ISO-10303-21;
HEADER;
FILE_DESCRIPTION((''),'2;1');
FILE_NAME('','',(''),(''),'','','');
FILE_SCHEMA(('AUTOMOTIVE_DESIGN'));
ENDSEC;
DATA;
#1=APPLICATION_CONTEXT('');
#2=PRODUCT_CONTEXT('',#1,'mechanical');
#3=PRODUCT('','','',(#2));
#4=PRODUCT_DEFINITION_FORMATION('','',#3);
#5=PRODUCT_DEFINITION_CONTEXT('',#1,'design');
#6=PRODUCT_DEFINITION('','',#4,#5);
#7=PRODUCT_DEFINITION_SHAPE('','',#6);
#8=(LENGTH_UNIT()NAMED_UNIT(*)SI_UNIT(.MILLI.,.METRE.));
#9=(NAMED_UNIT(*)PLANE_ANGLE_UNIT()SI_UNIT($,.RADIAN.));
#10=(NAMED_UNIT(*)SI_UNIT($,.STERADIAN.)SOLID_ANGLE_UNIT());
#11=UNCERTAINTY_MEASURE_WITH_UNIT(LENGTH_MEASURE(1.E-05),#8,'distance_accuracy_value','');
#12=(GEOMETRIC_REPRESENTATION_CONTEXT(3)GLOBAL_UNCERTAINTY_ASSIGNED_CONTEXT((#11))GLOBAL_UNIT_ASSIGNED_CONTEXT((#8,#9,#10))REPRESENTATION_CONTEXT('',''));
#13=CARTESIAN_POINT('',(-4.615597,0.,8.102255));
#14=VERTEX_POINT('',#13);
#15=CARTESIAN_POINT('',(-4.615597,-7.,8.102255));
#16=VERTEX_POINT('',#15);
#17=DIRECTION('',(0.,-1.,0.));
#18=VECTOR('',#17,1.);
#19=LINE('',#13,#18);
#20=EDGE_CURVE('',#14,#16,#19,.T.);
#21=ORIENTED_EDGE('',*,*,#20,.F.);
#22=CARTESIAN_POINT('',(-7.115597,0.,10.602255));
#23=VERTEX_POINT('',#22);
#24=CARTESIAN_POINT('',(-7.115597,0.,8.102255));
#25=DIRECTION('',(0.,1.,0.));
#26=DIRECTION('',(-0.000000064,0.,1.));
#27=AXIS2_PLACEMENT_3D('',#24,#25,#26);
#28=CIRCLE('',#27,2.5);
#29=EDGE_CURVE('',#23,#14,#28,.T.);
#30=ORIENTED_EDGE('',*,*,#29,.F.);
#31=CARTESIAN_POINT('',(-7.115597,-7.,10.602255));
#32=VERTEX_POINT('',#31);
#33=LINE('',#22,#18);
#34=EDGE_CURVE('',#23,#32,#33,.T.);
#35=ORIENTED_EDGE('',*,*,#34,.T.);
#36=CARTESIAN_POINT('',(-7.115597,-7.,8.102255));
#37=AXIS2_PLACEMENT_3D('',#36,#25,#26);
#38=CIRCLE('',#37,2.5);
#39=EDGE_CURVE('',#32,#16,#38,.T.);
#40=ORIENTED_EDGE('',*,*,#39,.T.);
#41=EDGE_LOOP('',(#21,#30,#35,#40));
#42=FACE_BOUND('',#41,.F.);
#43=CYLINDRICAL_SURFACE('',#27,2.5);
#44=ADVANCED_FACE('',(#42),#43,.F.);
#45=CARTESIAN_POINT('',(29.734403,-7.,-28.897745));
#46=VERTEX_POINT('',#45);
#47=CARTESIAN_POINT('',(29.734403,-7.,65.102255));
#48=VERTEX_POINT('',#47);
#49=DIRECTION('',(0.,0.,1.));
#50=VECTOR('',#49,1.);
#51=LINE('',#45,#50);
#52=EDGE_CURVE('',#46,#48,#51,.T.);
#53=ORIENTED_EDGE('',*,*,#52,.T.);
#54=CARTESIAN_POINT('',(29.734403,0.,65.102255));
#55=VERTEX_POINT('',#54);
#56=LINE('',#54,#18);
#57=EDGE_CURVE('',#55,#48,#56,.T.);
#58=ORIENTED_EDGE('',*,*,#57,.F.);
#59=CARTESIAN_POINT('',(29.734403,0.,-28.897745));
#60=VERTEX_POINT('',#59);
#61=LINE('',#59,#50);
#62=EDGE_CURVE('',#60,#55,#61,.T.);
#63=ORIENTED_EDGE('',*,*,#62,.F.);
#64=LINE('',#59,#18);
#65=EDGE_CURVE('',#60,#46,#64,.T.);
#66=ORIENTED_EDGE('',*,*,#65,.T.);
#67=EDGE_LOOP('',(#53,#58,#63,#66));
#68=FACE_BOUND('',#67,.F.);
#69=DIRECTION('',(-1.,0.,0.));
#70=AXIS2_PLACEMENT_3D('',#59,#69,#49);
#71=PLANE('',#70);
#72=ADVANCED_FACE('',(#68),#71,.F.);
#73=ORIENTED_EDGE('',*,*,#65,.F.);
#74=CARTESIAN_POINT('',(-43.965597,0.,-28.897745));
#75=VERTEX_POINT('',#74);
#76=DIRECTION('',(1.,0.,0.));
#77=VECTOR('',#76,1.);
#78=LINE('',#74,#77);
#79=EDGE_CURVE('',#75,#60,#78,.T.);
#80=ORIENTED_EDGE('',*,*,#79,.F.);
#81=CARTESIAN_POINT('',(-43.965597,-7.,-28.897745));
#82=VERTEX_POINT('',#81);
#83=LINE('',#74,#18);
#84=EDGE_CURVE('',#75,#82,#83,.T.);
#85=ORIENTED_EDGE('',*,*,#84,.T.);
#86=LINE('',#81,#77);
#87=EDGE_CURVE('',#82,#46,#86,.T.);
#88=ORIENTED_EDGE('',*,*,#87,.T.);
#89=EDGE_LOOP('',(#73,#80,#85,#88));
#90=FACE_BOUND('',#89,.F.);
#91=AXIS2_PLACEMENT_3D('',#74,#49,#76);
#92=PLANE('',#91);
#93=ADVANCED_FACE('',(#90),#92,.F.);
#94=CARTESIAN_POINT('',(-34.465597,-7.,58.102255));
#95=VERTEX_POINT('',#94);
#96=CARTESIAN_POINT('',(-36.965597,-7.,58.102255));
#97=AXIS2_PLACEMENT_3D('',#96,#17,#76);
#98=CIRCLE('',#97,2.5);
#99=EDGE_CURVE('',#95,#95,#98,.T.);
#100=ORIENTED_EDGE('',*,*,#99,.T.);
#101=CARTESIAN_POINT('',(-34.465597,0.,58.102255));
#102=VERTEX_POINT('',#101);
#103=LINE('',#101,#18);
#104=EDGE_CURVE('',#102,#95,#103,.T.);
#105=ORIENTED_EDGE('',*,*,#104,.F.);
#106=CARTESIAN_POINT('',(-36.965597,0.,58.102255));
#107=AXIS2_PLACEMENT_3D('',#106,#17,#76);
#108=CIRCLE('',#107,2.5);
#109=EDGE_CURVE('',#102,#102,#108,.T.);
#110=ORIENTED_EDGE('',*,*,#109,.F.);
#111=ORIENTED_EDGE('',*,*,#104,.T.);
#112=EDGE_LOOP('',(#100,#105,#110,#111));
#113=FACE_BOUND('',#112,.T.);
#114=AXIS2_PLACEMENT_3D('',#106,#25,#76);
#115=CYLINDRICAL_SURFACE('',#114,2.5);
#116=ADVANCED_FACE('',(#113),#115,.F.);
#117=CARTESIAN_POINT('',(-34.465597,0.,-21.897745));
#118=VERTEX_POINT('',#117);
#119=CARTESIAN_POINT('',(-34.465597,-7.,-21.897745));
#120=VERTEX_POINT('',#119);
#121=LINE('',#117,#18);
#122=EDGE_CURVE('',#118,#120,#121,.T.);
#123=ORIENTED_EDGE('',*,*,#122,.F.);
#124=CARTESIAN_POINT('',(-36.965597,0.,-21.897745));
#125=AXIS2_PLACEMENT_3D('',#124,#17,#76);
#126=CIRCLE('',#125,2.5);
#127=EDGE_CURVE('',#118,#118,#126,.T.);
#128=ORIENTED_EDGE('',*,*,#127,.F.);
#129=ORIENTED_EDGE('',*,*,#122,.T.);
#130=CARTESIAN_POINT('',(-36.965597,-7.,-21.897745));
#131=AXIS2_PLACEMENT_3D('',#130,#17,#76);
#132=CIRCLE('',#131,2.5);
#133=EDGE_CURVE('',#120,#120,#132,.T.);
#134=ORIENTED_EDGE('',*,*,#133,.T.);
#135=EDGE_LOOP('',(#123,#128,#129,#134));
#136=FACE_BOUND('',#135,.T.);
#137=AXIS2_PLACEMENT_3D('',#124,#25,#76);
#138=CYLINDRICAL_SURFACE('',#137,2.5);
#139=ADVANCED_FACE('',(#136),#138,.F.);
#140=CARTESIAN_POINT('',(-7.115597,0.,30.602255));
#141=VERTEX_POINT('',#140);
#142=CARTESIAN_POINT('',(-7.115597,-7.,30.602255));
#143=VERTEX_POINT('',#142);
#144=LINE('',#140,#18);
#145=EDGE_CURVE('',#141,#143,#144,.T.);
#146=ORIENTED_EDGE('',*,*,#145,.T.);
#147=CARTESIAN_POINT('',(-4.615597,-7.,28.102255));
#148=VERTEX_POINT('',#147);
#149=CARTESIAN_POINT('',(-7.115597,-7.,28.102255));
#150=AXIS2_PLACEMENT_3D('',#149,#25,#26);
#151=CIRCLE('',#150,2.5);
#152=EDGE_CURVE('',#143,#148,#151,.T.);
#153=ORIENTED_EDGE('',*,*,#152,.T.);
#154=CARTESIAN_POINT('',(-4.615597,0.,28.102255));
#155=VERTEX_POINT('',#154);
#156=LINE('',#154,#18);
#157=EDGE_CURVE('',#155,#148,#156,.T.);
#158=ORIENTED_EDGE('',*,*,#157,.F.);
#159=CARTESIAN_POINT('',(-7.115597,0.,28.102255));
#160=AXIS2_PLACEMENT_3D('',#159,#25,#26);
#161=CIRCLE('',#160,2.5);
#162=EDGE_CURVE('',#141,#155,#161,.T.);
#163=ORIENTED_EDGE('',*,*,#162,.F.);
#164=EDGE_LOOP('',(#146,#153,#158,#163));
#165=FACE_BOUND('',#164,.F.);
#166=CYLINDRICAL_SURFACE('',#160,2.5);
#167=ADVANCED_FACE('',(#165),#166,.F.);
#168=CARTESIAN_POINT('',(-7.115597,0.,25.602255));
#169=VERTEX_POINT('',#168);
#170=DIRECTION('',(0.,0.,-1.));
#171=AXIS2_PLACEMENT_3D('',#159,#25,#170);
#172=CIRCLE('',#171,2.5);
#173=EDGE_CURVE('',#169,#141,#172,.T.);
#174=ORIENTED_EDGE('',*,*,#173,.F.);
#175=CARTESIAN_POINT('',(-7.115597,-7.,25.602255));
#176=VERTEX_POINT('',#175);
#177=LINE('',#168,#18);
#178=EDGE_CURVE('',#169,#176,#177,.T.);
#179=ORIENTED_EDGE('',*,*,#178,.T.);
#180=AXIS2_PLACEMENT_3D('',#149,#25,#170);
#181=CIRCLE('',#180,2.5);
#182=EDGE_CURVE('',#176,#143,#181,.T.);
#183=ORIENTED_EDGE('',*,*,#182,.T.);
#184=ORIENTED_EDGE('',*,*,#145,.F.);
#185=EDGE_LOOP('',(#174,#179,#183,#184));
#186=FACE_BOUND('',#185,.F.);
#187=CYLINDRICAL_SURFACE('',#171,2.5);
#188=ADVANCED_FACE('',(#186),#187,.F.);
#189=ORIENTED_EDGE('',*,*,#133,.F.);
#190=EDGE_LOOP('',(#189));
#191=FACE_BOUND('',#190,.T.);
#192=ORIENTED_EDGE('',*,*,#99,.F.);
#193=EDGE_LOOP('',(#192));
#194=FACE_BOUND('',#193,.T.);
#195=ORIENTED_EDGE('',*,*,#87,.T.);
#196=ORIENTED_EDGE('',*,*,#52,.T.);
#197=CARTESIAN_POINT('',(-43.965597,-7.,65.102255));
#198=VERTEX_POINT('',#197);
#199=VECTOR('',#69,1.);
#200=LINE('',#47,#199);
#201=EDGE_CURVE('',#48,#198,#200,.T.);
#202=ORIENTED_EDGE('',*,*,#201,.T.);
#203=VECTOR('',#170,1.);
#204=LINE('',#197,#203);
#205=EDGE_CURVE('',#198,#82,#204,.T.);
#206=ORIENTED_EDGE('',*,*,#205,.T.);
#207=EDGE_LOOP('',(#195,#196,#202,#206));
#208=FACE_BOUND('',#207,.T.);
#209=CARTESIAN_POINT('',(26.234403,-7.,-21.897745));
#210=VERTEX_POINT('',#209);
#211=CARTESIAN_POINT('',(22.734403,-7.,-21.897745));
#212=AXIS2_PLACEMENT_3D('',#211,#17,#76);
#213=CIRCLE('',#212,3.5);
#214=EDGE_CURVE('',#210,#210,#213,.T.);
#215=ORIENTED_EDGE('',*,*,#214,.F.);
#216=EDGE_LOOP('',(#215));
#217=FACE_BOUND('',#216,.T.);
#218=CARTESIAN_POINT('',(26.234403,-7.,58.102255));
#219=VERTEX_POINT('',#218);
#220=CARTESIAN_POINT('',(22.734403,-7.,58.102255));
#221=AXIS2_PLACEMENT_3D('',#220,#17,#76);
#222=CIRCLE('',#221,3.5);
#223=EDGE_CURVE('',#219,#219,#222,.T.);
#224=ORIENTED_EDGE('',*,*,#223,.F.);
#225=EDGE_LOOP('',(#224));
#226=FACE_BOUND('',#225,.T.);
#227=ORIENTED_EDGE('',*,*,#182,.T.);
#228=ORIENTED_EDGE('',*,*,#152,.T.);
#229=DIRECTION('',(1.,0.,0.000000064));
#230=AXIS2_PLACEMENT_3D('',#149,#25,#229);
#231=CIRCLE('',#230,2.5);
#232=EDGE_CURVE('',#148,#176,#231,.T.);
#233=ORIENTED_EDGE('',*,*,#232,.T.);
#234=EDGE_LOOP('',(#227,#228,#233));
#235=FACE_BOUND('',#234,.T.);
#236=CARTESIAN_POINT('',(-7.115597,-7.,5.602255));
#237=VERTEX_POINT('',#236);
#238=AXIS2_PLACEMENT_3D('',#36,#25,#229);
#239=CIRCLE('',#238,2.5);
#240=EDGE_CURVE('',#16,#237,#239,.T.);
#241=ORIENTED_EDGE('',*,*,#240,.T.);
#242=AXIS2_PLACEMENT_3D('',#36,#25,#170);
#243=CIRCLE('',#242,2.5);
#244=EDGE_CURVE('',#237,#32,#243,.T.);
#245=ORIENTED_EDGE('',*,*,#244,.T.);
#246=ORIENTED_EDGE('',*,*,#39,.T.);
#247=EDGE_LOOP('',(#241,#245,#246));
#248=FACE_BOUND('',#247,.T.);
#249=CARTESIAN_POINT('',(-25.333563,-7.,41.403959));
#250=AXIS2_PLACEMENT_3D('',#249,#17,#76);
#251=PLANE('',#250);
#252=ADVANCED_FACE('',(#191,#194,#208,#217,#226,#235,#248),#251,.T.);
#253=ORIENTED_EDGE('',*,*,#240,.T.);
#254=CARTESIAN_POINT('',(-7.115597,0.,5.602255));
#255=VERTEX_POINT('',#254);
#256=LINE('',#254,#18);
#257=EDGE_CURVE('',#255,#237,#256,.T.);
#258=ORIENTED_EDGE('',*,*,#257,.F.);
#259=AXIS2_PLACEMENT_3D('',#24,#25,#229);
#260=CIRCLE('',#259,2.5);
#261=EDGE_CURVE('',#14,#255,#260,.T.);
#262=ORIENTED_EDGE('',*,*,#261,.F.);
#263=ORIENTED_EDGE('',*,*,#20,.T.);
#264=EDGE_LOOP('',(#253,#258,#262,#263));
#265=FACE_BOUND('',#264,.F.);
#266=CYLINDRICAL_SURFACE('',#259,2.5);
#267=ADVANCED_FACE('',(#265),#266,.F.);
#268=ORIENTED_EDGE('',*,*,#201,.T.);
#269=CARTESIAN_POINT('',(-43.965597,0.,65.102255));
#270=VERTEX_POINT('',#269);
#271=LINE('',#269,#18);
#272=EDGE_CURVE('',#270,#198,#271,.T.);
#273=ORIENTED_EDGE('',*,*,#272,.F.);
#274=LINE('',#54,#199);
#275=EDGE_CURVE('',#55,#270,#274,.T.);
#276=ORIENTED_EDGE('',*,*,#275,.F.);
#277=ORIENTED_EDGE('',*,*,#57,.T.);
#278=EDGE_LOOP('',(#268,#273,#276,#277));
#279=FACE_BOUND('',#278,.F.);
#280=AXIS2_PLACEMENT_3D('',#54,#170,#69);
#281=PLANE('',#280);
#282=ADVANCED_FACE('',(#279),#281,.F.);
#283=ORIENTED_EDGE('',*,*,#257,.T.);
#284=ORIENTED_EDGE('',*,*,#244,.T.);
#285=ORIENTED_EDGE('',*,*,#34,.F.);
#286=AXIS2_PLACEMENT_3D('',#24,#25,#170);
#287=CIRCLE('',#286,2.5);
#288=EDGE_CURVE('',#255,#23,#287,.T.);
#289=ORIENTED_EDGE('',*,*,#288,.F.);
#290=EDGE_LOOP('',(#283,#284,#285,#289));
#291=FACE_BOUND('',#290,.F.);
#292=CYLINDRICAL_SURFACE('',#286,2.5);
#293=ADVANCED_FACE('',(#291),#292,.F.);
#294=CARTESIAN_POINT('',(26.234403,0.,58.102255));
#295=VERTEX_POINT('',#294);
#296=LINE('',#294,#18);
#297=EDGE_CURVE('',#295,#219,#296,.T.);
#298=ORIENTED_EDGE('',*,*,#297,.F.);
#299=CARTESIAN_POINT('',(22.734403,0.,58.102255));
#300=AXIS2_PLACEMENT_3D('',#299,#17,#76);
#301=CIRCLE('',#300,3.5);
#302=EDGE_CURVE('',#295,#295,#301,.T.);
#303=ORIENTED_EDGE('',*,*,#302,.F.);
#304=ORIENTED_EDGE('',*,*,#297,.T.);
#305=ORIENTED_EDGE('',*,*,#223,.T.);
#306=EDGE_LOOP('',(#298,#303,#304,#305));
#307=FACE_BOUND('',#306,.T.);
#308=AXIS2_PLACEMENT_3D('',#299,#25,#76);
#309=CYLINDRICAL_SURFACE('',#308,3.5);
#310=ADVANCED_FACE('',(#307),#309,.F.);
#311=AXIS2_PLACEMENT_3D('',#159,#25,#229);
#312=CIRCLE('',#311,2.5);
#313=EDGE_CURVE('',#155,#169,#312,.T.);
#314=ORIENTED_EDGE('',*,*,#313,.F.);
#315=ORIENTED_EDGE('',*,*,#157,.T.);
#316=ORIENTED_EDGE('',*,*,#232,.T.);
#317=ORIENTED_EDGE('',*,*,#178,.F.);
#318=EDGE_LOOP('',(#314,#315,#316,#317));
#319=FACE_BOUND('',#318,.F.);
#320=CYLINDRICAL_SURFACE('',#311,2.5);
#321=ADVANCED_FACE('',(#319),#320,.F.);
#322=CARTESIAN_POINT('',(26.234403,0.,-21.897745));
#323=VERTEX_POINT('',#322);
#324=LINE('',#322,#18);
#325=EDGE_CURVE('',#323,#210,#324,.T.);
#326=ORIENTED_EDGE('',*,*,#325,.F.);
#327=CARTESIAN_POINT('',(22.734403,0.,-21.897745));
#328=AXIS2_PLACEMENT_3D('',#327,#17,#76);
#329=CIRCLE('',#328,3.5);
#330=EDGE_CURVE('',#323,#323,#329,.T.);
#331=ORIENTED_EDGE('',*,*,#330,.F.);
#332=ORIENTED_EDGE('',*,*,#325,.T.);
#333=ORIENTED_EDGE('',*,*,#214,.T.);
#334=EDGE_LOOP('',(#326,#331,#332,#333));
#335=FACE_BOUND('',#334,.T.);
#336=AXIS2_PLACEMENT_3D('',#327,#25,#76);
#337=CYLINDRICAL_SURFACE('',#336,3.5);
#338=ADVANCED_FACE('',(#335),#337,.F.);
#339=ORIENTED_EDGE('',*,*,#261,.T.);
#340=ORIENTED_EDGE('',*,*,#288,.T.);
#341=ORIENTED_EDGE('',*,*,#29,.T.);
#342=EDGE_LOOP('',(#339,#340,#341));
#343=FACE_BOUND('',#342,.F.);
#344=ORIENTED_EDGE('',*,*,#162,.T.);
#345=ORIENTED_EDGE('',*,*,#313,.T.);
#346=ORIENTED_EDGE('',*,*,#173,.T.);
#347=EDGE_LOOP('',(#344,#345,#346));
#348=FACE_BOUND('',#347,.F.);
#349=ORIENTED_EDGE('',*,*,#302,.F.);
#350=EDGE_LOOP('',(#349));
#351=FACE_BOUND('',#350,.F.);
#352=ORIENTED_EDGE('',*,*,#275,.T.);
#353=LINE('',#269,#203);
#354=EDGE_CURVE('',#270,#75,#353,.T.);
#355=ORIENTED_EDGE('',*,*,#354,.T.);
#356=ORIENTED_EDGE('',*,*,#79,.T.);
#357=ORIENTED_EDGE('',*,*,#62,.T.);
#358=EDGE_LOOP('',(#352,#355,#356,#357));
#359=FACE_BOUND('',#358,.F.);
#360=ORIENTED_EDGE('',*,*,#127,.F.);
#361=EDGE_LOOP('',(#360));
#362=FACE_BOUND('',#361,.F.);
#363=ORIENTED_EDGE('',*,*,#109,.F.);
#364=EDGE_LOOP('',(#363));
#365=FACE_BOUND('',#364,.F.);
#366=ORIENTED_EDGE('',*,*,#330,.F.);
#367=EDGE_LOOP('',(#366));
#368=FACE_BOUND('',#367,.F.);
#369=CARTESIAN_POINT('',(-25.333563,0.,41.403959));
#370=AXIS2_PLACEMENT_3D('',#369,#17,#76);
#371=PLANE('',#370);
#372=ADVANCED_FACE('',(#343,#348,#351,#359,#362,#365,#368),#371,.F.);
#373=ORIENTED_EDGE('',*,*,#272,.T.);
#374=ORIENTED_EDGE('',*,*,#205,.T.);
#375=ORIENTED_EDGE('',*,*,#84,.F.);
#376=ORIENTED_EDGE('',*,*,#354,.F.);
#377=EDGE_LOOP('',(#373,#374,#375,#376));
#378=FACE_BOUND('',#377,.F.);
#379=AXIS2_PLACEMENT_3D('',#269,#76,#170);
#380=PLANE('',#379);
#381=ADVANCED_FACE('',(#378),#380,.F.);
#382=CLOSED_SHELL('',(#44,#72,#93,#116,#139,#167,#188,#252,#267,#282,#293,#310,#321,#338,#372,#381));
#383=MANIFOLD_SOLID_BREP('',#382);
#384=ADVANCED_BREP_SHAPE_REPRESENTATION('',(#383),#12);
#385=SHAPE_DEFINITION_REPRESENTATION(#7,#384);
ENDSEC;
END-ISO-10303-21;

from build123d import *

# Parameters (mm, degrees)
F0_R     = 2.5
F0_R_2   = 3.5
F1_DEPTH = 7


with BuildPart() as f1:
    # F0 (on Front) → F1 (new body)
    with BuildSketch(Plane.XZ):
        with BuildLine():
            Line((-7.115597, 65.102255), (-43.965597, 65.102255))
            Line((-43.965597, 65.102255), (-43.965597, 18.102255))
            Line((-43.965597, 18.102255), (-7.115597, 18.102255))
            Line((-7.115597, 18.102255), (-7.115597, 25.602255))
            ThreePointArc((-7.115597, 25.602255), (-9.615597, 28.102255), (-7.115597, 30.602255))
            Line((-7.115597, 30.602255), (-7.115597, 65.102255))
        make_face()
        with Locations((-36.965597, 58.102255)):
            Circle(F0_R, mode=Mode.SUBTRACT)
        with BuildLine():
            Line((29.734403, 65.102255), (-7.115597, 65.102255))
            Line((-7.115597, 65.102255), (-7.115597, 30.602255))
            ThreePointArc((-7.115597, 30.602255), (-5.34783, 29.870022), (-4.615597, 28.102255))
            ThreePointArc((-4.615597, 28.102255), (-5.34783, 26.334488), (-7.115597, 25.602255))
            Line((-7.115597, 25.602255), (-7.115597, 18.102255))
            Line((-7.115597, 18.102255), (29.734403, 18.102255))
            Line((29.734403, 18.102255), (29.734403, 65.102255))
        make_face()
        with Locations((22.734403, 58.102255)):
            Circle(F0_R_2, mode=Mode.SUBTRACT)
        with BuildLine():
            Line((-7.115597, 18.102255), (-43.965597, 18.102255))
            Line((-43.965597, 18.102255), (-43.965597, -28.897745))
            Line((-43.965597, -28.897745), (-7.115597, -28.897745))
            Line((-7.115597, -28.897745), (-7.115597, 5.602255))
            ThreePointArc((-7.115597, 5.602255), (-9.615597, 8.102255), (-7.115597, 10.602255))
            Line((-7.115597, 10.602255), (-7.115597, 18.102255))
        make_face()
        with Locations((-36.965597, -21.897745)):
            Circle(F0_R, mode=Mode.SUBTRACT)
        with BuildLine():
            Line((29.734403, 18.102255), (-7.115597, 18.102255))
            Line((-7.115597, 18.102255), (-7.115597, 10.602255))
            ThreePointArc((-7.115597, 10.602255), (-5.34783, 9.870022), (-4.615597, 8.102255))
            ThreePointArc((-4.615597, 8.102255), (-5.34783, 6.334488), (-7.115597, 5.602255))
            Line((-7.115597, 5.602255), (-7.115597, -28.897745))
            Line((-7.115597, -28.897745), (29.734403, -28.897745))
            Line((29.734403, -28.897745), (29.734403, 18.102255))
        make_face()
        with Locations((22.734403, -21.897745)):
            Circle(F0_R_2, mode=Mode.SUBTRACT)
    extrude(amount=F1_DEPTH)


solid = f1.part
